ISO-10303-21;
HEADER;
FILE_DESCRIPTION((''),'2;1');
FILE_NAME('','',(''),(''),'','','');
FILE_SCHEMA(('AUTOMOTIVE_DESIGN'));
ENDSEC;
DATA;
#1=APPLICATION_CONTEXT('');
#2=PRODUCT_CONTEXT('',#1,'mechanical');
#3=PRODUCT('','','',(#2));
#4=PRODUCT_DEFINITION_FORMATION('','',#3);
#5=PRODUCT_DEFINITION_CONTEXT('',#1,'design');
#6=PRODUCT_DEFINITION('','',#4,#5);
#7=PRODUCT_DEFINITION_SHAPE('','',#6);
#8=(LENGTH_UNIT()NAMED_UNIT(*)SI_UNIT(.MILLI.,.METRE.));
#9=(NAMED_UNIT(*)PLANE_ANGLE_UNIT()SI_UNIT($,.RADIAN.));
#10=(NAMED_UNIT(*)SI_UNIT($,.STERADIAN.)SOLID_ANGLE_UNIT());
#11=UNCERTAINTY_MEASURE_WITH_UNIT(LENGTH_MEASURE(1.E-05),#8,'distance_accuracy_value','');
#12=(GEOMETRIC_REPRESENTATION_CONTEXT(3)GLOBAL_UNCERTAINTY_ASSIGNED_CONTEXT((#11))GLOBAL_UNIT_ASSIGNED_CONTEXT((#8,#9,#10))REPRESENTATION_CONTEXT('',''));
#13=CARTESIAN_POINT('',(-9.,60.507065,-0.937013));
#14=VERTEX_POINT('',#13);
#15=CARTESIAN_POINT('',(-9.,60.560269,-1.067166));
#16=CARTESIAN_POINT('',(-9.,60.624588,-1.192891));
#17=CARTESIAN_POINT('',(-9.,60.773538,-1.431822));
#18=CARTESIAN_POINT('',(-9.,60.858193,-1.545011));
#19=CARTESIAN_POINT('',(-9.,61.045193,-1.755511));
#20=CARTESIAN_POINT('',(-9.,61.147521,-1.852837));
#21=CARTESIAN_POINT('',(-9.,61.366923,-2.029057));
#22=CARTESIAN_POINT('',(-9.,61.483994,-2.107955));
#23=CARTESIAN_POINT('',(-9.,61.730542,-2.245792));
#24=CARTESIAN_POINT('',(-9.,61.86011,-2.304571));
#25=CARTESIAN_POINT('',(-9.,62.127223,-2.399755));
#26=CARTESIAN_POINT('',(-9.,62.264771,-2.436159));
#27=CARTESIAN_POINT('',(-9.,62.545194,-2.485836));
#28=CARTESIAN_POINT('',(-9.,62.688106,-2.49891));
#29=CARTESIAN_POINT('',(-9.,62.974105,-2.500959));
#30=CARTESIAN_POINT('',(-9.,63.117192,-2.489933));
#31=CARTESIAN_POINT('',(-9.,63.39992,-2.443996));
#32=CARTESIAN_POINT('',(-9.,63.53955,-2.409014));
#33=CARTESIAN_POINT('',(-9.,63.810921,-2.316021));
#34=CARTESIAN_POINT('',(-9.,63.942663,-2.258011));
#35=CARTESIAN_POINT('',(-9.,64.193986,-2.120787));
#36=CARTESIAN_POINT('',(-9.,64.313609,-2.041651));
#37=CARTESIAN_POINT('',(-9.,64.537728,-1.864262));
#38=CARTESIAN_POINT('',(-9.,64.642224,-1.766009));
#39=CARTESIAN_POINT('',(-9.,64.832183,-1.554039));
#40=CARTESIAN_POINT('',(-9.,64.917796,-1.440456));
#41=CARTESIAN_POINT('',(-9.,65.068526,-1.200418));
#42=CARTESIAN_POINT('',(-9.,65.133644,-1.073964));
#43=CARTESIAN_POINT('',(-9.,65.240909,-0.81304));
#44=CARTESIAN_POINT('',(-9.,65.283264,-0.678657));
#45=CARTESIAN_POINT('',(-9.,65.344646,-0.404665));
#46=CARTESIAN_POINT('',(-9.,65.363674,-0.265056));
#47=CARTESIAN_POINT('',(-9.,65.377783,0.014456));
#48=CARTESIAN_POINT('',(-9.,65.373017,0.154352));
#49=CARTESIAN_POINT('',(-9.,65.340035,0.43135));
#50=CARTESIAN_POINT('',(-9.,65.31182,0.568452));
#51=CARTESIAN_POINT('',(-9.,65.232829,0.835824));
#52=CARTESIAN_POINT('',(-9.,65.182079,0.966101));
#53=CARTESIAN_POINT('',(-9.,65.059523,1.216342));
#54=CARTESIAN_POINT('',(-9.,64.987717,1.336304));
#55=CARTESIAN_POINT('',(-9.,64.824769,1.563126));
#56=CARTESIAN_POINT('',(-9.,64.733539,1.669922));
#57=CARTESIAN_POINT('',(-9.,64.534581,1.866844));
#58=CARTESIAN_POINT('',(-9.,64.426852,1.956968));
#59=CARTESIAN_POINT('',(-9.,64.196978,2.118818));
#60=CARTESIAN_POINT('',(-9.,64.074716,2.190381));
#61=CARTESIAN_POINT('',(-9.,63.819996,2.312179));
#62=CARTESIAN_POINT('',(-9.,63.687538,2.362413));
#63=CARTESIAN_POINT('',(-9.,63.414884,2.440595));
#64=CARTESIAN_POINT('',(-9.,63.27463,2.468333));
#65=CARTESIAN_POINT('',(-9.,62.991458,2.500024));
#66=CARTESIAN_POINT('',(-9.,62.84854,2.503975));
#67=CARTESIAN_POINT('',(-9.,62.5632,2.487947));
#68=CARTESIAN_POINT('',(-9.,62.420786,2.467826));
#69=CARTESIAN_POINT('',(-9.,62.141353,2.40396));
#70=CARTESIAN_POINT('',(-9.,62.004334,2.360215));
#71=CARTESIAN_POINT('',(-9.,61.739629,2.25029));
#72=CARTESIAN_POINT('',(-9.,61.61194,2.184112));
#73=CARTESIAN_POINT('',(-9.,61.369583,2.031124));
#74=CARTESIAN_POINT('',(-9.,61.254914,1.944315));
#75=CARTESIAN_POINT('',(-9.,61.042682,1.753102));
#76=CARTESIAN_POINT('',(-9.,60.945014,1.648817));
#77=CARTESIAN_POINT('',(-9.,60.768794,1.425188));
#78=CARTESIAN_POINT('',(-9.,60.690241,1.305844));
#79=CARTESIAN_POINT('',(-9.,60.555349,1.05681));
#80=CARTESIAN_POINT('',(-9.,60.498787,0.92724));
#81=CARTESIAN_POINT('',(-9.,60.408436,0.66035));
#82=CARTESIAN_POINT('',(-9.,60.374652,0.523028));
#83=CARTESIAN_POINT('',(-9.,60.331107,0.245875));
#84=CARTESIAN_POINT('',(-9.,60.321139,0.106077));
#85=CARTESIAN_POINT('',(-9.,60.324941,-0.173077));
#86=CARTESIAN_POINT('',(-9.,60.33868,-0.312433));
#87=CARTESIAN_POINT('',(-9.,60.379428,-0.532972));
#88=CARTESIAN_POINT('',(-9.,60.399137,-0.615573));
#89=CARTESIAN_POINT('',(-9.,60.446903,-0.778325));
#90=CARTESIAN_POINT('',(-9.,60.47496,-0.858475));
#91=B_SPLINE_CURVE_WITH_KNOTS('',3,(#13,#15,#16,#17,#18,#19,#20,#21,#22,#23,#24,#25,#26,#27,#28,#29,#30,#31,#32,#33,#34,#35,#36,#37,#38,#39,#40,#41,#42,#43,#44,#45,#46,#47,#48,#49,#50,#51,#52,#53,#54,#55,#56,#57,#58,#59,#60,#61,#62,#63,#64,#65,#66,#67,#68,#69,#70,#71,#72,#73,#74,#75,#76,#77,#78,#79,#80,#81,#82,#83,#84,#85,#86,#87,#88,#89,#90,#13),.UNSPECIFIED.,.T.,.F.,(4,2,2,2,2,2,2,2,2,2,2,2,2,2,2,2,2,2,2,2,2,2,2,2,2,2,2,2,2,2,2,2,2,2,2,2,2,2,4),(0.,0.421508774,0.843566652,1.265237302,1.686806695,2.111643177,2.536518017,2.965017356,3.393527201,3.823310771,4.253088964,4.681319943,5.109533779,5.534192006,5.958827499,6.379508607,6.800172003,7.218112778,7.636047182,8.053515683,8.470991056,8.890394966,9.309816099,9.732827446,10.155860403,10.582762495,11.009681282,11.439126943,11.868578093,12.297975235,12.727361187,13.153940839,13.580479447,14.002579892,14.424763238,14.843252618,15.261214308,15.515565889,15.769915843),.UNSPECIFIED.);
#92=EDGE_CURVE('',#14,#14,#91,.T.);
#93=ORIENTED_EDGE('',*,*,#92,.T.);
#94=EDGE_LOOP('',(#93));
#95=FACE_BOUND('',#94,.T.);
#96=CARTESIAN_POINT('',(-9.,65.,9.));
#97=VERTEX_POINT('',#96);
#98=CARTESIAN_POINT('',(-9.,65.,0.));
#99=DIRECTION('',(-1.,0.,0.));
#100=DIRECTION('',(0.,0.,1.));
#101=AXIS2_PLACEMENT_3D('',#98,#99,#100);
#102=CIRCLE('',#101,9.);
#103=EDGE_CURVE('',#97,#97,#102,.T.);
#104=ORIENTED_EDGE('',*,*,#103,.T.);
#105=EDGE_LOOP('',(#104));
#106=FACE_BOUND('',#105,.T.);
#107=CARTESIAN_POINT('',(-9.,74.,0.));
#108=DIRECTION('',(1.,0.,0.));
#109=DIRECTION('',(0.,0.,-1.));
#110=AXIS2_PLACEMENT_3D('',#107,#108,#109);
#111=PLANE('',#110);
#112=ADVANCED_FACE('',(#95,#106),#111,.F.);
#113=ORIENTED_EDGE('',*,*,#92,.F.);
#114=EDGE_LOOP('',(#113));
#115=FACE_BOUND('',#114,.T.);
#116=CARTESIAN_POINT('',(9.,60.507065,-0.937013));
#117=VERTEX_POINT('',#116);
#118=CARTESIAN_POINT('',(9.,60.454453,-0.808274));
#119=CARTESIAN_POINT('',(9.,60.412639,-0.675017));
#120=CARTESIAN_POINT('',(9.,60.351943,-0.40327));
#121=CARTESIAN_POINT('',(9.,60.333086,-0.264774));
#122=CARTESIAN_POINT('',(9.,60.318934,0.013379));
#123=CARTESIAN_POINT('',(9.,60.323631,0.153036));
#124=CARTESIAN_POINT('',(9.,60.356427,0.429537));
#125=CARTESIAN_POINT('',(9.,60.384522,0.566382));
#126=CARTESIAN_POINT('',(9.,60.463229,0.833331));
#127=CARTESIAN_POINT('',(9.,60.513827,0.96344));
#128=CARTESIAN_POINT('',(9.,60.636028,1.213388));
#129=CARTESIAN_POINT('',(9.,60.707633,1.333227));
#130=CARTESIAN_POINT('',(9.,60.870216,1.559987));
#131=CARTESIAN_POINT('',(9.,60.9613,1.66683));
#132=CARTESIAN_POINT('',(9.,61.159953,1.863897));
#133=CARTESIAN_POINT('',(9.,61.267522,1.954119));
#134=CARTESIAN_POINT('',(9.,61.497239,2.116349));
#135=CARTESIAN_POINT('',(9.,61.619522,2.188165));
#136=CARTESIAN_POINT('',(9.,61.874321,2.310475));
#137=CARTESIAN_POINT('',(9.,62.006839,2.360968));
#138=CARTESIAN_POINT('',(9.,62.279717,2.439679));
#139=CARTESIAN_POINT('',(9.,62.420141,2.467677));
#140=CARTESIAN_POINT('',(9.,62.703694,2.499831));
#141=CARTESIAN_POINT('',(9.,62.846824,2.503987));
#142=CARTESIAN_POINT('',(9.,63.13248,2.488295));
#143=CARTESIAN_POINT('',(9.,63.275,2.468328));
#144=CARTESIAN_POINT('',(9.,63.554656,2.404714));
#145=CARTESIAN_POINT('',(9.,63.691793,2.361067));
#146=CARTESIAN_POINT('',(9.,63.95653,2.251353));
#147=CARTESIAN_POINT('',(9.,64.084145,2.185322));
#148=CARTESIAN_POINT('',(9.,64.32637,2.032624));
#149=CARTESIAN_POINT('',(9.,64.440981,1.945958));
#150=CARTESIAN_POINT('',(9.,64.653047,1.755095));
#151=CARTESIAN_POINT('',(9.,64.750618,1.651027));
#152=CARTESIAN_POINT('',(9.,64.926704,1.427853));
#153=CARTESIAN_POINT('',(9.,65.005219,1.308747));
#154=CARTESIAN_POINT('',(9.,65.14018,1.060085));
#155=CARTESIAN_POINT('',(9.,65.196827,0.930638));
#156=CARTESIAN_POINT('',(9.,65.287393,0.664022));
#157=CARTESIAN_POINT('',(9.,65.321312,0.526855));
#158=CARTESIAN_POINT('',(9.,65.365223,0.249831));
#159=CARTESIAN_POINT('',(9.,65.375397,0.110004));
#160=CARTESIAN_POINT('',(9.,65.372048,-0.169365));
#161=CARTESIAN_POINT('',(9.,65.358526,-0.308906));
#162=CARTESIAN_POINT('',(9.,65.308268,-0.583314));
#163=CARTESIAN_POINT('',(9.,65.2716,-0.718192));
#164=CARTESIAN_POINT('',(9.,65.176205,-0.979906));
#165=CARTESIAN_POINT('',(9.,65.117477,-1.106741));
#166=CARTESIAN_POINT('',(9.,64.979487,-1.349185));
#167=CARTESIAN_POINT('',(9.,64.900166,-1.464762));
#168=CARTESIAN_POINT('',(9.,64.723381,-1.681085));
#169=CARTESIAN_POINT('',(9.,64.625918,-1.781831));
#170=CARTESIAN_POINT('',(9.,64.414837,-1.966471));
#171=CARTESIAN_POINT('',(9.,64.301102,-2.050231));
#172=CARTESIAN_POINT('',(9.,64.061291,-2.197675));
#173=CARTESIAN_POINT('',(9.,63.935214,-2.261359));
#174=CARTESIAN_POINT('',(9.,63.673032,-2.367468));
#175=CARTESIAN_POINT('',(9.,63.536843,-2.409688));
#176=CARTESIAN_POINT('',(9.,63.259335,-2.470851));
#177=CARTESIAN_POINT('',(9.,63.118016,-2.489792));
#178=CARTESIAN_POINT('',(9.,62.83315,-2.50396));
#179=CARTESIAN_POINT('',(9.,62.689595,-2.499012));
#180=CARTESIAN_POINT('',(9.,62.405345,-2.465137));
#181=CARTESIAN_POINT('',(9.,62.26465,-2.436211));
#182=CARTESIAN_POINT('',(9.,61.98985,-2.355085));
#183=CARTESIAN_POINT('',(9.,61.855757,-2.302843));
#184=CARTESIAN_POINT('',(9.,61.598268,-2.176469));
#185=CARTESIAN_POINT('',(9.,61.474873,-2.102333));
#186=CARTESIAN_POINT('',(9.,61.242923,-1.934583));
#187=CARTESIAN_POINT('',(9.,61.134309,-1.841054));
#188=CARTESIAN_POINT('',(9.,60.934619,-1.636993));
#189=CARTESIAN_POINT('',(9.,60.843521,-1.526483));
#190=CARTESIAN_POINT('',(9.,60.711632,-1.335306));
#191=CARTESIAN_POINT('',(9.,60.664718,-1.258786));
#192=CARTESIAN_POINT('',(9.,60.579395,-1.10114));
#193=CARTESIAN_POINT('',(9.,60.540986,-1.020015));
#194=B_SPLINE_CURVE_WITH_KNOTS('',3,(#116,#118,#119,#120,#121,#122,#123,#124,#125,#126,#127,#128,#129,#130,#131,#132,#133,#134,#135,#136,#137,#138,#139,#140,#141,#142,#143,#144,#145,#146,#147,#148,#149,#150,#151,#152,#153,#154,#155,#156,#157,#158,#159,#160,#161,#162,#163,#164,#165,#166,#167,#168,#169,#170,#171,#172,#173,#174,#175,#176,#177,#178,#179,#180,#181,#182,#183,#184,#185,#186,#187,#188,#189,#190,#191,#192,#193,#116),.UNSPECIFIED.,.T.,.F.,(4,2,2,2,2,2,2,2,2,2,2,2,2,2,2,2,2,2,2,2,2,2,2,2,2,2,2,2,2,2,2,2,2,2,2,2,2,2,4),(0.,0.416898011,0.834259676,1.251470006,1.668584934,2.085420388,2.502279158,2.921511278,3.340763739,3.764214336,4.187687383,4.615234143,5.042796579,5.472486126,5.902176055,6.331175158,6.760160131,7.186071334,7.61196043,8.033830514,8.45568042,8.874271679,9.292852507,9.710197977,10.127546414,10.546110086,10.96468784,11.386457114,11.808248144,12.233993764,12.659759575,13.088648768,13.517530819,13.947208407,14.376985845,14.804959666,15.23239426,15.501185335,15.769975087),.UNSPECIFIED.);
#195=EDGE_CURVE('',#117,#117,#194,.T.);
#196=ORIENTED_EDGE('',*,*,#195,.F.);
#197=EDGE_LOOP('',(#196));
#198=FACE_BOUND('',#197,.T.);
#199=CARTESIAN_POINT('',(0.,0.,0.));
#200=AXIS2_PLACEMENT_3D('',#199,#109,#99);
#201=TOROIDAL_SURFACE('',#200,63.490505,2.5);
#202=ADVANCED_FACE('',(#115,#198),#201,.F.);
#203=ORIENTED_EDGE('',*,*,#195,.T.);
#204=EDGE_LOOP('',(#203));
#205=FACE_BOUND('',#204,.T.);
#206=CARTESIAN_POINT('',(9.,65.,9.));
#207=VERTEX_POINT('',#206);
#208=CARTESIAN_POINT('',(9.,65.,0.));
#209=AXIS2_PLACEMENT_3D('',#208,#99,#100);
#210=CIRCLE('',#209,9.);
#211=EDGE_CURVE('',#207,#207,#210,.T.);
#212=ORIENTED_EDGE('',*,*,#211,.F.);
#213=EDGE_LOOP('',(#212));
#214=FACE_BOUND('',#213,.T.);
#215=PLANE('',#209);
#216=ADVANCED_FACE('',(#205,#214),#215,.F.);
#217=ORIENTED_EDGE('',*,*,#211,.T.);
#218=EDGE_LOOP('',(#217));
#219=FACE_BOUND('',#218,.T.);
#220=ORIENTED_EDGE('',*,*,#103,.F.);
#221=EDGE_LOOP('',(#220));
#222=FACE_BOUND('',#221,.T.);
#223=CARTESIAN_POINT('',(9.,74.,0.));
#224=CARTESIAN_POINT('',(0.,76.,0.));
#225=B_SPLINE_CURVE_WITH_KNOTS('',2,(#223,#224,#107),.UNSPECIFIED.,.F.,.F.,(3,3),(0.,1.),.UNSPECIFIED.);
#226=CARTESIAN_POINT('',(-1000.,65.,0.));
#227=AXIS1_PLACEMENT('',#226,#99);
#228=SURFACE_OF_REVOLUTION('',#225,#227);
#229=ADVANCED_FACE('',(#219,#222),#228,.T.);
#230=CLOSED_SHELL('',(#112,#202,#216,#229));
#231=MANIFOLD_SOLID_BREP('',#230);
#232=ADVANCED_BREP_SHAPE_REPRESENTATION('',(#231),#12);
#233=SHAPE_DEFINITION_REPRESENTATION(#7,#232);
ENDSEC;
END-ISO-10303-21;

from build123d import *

# Parameters (mm, degrees)
SKETCH_3_R = 2.5


with BuildPart() as part:
    # 草图1 → 旋转1 (revolve)
    with BuildSketch(Plane.XY):
        with BuildLine():
            Line((-9, 74), (-9, 65))
            Line((-9, 65), (9, 65))
            Line((9, 65), (9, 74))
            add(Edge.make_bspline(
                [(-9, 74), (0, 76), (9, 74)],
                knots=[0, 0, 0, 1, 1, 1], degree=2))
        make_face()
    revolve(axis=Axis((-1000, 65, 0), (1, 0, 0)))

    # 切除-扫描1: sweep along a path in 草图2
    with BuildLine(Plane.XY) as sweep_1_path:
        CenterArc((0, 0), 65, 0, 360)
    # 草图3 → 切除-扫描1 (sweep, cut)
    with BuildSketch(Plane(origin=(0, 0, 0), x_dir=(1, 0, 0), z_dir=(0, 1, 0))):
        with Locations((-63.490505487, 0)):
            Circle(SKETCH_3_R)
    sweep(path=sweep_1_path.line, mode=Mode.SUBTRACT)


solid = part.part
